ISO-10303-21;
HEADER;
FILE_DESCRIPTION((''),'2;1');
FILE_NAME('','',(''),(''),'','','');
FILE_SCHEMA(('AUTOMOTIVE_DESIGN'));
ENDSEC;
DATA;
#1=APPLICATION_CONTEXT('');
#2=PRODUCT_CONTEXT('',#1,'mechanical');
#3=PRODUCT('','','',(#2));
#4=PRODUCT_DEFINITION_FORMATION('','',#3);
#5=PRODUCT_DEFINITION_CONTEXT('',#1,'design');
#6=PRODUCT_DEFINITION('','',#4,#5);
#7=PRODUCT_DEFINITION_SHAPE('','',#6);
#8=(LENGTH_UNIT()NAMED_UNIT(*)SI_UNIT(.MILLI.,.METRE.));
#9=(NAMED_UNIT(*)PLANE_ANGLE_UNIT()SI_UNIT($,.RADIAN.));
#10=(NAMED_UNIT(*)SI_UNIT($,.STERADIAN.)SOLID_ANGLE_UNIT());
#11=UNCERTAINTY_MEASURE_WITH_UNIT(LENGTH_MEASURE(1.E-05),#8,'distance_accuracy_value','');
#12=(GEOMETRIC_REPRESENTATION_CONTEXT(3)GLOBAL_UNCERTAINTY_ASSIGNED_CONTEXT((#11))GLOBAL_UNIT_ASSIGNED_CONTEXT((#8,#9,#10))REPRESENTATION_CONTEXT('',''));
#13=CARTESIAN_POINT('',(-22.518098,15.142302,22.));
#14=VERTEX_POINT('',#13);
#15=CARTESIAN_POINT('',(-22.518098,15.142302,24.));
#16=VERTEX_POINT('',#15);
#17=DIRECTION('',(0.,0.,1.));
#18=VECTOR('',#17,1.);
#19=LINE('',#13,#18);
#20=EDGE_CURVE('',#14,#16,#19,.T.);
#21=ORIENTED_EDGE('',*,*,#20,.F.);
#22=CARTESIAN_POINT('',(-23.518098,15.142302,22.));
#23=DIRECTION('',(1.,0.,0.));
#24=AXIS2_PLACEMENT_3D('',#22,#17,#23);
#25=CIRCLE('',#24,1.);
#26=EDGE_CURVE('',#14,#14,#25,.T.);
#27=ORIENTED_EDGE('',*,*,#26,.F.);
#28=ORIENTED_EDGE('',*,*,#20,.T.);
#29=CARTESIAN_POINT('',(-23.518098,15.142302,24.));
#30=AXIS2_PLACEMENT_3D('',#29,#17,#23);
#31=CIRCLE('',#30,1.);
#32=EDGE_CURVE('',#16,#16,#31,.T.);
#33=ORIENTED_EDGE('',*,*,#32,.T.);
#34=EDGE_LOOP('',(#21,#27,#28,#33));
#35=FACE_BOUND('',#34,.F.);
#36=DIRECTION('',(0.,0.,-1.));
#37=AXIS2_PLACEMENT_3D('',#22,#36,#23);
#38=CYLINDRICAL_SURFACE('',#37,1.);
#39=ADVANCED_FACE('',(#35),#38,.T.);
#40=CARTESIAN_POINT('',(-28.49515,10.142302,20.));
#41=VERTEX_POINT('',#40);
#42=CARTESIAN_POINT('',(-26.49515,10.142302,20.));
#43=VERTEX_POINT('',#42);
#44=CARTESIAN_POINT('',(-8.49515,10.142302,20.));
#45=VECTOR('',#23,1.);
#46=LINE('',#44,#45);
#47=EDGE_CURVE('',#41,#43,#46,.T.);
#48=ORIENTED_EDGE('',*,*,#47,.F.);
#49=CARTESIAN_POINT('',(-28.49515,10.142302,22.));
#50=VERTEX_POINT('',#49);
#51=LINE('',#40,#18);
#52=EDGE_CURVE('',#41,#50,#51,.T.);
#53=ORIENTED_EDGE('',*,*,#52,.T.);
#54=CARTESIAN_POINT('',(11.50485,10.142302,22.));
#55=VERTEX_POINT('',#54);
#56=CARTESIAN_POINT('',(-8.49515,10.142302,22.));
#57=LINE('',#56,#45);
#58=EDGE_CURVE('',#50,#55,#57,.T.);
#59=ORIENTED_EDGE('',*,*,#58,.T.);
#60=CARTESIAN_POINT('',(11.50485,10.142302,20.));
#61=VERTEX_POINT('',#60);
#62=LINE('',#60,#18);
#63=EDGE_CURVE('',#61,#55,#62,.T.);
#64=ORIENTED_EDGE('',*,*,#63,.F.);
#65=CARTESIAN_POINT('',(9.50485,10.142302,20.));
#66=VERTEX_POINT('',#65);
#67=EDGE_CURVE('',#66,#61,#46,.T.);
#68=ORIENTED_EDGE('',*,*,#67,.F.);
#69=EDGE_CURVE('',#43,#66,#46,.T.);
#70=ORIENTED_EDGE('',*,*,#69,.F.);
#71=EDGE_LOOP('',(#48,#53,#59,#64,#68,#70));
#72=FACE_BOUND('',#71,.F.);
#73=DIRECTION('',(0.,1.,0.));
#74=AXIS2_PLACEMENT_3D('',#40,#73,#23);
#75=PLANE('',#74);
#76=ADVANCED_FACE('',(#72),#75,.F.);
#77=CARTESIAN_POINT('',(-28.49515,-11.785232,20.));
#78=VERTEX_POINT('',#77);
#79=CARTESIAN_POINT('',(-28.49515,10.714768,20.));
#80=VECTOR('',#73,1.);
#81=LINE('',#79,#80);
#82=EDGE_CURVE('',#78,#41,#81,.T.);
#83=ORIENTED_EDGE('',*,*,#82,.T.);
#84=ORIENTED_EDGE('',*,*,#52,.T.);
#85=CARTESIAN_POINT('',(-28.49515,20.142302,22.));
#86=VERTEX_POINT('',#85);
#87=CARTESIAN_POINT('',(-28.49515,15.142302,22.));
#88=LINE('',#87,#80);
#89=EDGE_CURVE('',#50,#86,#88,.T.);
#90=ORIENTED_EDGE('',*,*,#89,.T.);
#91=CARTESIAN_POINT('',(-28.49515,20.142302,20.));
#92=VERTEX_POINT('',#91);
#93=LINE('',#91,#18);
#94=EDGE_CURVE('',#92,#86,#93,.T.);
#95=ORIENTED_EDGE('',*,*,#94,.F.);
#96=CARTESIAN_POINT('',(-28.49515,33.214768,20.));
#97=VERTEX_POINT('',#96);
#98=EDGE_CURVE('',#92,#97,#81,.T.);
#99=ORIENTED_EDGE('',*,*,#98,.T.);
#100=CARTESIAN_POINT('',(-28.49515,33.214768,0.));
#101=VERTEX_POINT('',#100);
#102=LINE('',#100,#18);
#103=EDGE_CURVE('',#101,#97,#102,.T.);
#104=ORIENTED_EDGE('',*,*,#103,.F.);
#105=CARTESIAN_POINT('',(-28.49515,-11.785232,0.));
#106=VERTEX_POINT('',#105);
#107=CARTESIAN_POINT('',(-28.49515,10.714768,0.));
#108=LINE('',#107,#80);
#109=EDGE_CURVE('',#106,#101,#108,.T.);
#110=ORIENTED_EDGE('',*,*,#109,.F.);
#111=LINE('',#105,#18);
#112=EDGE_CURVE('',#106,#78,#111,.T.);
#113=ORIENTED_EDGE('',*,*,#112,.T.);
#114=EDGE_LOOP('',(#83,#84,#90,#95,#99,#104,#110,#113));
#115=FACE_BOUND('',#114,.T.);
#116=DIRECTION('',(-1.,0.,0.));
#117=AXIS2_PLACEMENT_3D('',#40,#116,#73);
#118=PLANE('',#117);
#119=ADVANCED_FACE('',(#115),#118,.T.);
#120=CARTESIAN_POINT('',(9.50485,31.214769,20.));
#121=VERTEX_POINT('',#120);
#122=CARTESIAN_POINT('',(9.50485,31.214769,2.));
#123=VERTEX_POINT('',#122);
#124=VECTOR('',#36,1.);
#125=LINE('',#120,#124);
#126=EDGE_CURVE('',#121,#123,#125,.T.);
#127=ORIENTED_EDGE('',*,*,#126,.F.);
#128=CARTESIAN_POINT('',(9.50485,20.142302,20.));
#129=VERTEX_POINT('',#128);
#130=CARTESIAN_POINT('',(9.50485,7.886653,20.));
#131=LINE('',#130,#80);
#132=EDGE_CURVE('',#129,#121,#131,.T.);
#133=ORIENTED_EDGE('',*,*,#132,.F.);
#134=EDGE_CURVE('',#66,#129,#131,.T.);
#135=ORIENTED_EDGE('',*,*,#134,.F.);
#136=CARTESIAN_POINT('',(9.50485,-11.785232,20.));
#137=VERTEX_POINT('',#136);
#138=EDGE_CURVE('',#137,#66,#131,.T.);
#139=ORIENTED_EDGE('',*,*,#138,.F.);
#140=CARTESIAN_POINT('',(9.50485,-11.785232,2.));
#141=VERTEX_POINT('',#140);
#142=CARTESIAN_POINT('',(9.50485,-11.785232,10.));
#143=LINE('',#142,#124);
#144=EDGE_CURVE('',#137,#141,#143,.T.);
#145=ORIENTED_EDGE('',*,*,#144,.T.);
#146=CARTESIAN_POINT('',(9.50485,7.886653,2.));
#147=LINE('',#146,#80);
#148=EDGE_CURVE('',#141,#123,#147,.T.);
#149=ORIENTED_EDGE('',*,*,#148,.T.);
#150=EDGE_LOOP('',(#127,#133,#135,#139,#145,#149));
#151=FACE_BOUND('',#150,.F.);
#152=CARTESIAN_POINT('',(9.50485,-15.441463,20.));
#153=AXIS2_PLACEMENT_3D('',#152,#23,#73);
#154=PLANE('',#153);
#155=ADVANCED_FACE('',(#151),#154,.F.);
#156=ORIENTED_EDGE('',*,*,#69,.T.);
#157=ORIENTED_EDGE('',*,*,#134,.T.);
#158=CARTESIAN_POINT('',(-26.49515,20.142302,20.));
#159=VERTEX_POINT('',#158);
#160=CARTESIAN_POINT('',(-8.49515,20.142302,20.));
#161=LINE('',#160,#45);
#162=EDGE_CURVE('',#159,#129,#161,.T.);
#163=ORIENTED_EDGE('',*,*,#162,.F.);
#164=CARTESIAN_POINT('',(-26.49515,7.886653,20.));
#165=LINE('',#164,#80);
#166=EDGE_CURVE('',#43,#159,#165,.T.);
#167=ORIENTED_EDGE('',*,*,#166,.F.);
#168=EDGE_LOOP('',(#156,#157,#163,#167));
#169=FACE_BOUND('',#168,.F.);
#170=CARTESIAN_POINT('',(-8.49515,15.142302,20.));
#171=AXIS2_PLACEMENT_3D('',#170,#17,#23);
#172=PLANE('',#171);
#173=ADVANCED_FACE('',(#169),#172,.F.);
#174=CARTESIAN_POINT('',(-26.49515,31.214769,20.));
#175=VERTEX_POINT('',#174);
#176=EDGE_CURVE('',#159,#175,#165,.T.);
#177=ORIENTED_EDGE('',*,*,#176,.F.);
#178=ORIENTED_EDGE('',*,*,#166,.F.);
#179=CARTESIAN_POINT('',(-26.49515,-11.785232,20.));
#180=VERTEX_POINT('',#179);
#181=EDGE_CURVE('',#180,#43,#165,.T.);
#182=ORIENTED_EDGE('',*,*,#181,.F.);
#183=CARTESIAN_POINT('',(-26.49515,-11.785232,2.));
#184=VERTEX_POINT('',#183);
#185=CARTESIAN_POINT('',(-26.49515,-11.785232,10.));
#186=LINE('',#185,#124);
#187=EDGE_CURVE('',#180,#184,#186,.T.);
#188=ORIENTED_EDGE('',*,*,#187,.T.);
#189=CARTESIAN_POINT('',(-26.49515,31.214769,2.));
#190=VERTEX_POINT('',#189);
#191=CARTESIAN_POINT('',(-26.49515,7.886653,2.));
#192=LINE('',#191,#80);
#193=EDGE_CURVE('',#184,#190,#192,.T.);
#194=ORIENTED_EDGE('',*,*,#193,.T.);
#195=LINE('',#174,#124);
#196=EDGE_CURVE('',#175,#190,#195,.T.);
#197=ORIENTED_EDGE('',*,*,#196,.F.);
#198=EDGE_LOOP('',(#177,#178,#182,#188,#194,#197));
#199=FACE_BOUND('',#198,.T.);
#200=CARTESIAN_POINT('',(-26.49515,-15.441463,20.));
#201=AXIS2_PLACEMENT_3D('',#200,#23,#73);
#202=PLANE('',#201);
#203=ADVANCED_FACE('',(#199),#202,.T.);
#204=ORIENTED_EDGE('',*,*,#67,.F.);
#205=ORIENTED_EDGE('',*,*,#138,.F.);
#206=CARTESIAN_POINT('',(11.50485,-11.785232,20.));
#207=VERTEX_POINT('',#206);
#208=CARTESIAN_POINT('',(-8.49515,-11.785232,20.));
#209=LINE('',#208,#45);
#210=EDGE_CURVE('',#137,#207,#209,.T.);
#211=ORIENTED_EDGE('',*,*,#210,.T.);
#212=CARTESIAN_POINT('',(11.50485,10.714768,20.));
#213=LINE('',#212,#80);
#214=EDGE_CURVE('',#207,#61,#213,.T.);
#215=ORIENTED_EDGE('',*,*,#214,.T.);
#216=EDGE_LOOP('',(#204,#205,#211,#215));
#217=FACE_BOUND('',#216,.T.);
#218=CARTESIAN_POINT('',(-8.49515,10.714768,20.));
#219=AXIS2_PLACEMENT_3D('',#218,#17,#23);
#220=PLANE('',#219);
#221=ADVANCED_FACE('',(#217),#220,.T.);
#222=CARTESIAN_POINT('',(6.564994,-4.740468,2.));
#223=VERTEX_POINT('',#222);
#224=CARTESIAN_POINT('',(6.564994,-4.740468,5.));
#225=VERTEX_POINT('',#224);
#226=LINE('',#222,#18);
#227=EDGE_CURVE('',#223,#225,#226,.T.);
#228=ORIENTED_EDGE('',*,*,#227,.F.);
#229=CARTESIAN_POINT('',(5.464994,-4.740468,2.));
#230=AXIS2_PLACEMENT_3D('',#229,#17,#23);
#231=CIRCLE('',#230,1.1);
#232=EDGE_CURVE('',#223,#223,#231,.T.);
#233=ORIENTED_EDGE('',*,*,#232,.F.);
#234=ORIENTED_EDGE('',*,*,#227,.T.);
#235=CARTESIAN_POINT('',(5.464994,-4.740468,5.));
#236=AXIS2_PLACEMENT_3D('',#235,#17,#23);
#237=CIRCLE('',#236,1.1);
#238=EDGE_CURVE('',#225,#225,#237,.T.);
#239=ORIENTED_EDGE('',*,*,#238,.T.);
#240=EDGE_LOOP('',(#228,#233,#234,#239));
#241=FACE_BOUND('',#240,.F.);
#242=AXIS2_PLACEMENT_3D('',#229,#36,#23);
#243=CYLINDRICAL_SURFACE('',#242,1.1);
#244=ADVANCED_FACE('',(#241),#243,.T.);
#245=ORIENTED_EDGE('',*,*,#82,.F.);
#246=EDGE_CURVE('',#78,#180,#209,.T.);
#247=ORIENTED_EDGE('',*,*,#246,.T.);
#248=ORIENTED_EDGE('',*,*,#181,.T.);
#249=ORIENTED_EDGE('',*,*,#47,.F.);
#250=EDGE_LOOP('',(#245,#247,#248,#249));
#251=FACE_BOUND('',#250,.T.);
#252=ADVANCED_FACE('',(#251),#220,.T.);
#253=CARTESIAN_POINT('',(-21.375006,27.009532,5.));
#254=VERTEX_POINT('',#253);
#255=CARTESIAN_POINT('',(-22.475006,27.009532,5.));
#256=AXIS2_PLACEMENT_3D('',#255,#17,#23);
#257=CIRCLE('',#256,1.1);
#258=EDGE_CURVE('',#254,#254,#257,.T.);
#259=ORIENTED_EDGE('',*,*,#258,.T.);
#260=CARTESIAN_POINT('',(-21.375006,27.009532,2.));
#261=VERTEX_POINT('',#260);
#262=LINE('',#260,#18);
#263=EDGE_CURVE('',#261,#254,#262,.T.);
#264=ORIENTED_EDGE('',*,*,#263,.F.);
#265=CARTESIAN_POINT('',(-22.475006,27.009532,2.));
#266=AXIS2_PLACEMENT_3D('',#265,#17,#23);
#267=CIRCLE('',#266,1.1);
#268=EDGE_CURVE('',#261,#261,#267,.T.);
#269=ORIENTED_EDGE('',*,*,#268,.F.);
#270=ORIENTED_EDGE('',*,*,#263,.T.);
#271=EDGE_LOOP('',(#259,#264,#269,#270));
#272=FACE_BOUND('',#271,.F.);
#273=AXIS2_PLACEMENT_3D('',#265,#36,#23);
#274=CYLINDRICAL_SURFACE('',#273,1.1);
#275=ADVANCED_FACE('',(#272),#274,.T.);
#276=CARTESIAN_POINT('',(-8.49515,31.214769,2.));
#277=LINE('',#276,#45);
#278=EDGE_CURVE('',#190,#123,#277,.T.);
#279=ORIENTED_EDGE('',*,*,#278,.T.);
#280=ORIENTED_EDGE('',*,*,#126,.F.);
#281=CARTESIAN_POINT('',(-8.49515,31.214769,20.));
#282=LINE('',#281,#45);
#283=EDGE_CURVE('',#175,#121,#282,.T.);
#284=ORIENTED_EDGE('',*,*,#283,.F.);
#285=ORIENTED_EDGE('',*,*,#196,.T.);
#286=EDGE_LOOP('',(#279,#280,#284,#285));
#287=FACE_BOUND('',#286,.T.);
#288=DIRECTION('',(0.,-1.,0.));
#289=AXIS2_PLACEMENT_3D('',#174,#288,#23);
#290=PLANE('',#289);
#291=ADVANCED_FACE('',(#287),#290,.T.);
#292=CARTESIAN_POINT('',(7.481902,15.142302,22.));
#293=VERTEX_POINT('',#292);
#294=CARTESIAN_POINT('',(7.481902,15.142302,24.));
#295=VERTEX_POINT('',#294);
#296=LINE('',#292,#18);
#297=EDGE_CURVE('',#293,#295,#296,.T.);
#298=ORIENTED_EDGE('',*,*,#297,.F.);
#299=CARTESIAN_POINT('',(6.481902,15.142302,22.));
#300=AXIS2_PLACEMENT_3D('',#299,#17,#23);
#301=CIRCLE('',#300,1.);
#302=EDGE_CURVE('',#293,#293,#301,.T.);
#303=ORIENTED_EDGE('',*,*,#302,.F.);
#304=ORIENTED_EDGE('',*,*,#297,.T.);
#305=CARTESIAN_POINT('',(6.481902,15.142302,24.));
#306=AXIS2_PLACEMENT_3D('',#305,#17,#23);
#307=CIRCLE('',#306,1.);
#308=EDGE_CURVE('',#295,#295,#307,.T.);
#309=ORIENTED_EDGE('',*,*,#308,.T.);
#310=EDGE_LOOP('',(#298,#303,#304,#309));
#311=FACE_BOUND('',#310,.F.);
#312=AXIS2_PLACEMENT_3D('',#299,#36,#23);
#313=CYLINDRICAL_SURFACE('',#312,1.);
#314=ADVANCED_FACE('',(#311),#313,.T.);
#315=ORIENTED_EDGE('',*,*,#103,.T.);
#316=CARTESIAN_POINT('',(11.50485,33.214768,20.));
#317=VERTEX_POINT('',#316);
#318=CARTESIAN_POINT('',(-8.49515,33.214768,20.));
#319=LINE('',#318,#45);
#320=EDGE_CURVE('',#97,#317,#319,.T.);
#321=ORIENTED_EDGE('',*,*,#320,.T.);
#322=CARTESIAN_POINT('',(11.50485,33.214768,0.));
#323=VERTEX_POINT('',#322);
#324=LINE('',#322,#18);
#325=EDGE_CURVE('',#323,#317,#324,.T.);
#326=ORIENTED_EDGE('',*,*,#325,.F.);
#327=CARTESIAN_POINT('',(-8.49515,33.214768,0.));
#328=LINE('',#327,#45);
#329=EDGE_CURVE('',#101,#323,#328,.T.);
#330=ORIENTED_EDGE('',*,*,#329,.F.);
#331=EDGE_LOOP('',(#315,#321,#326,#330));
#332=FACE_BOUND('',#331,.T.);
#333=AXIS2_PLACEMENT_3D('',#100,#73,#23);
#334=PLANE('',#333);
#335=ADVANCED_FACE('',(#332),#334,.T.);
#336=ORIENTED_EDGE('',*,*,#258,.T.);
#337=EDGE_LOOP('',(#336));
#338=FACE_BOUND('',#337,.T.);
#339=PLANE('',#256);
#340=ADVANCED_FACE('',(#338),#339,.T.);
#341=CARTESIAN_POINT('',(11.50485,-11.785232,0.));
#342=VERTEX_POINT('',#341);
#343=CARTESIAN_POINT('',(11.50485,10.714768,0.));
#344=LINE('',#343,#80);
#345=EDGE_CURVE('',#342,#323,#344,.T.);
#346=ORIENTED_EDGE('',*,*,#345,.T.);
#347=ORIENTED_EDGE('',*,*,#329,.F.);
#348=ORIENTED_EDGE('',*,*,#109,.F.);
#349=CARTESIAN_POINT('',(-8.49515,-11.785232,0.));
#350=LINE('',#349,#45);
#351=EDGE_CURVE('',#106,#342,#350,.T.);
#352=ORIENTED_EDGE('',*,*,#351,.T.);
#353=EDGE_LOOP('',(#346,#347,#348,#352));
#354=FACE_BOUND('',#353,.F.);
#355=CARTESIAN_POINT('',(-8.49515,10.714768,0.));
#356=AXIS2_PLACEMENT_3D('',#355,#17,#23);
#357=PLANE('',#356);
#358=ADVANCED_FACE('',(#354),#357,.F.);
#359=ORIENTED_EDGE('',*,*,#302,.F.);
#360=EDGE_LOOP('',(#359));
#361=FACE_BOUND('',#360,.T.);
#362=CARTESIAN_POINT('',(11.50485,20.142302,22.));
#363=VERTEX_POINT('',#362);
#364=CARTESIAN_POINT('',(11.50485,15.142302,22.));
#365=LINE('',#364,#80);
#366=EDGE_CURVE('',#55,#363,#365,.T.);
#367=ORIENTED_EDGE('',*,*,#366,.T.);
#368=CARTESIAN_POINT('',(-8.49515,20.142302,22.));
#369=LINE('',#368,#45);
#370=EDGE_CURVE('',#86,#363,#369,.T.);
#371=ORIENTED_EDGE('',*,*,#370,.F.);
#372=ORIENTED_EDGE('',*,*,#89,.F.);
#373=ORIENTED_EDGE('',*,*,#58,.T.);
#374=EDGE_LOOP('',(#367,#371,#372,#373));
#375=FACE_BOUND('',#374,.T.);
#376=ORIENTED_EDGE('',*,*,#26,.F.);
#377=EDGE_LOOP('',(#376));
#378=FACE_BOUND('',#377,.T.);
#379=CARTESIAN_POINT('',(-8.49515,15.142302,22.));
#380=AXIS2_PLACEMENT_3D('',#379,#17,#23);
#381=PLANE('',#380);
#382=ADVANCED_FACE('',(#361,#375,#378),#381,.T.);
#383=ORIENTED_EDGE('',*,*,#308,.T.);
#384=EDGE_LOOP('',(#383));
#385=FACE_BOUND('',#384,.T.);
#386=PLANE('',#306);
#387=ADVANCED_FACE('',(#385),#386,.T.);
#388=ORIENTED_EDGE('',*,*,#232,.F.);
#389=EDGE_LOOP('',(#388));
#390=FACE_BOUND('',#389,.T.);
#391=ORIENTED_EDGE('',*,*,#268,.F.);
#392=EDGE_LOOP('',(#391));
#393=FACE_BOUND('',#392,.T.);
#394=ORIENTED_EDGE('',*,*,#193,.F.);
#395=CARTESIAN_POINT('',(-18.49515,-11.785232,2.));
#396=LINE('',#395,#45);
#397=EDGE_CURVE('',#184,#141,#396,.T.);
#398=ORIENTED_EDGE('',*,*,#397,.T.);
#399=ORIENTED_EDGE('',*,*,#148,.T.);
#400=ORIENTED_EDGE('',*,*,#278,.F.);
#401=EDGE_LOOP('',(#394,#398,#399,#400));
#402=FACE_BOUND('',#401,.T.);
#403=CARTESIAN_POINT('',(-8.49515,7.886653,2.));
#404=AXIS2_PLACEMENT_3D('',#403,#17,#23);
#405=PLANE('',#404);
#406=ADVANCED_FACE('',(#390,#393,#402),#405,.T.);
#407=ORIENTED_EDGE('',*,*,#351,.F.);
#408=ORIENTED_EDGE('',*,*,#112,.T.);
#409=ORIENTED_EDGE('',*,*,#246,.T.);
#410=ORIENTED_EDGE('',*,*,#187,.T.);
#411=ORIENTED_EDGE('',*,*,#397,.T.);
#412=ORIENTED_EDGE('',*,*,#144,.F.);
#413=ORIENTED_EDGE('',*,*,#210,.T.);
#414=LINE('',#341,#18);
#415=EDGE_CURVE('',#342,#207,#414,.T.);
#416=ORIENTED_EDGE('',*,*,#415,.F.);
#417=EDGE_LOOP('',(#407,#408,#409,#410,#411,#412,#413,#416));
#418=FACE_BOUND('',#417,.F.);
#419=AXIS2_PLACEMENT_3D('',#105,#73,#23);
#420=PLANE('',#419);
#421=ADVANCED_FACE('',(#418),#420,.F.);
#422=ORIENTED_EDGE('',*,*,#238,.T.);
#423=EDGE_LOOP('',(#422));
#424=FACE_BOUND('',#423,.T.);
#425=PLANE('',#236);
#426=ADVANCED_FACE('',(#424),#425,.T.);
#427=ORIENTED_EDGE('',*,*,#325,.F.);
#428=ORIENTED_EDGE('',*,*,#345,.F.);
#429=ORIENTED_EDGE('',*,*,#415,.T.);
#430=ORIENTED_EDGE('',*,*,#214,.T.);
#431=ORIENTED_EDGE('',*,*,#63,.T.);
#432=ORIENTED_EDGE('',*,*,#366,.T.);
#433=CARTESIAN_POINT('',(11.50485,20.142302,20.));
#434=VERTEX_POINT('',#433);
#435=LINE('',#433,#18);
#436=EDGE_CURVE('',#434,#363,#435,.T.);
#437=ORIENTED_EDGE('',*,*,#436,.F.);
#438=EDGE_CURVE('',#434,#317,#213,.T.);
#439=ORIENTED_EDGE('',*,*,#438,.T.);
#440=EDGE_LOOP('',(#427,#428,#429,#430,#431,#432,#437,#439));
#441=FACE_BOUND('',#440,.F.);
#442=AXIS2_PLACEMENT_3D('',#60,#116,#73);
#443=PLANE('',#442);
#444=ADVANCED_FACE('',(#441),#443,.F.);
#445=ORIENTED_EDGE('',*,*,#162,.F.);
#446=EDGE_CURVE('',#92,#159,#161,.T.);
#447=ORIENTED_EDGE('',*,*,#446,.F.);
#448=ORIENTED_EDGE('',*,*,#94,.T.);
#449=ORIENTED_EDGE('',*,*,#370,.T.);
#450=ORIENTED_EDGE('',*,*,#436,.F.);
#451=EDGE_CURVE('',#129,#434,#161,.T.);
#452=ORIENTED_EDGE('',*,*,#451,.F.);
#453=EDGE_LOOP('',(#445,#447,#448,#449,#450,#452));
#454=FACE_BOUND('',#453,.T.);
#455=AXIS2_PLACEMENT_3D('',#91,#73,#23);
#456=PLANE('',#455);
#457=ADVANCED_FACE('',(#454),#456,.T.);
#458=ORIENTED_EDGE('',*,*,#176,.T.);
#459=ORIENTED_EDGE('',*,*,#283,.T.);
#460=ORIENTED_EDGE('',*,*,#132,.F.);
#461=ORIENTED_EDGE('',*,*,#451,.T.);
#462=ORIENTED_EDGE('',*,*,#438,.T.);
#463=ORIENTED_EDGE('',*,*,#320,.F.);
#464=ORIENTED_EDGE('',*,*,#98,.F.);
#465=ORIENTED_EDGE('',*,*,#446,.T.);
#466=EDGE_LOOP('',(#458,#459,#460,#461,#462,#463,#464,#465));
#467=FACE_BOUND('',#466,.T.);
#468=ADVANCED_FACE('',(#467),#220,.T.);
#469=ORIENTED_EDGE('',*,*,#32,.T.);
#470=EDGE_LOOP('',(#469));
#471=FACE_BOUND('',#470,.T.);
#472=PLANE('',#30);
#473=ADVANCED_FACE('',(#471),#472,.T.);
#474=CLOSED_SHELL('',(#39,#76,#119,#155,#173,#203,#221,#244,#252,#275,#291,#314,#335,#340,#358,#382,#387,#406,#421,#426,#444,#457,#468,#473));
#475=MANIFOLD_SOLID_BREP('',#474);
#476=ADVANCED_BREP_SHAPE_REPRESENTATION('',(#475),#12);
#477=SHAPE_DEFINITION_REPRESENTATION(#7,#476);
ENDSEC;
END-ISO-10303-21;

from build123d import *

# Parameters (mm, degrees)
SKETCH_W     = 40
SKETCH_H     = 45
PAD_DEPTH    = 20
SKETCH001_W  = 36
SKETCH001_H  = 46.656231
POCKET_DEPTH = 18
SKETCH002_R  = 1.1
PAD001_DEPTH = 3
SKETCH003_W  = 40
SKETCH003_H  = 10
PAD002_DEPTH = 2
SKETCH004_R  = 1
PAD003_DEPTH = 2


with BuildPart() as part:
    # Sketch → Pad (new body)
    with BuildSketch(Plane.XY):
        with Locations((-8.49515, 10.714768)):
            Rectangle(SKETCH_W, SKETCH_H)
    extrude(amount=PAD_DEPTH)

    # Sketch001 → Pocket (cut)
    with BuildSketch(Plane.XY.offset(20)):
        with Locations((-8.49515, 7.886653)):
            Rectangle(SKETCH001_W, SKETCH001_H)
    extrude(amount=-POCKET_DEPTH, mode=Mode.SUBTRACT)

    # Sketch002 → Pad001 (new body)
    with BuildSketch(Plane.XY.offset(2)):
        with Locations((-22.475006, 27.009532)):
            Circle(SKETCH002_R)
        with Locations((5.464994, -4.740468)):
            Circle(SKETCH002_R)
    extrude(amount=PAD001_DEPTH)

    # Sketch003 → Pad002 (new body)
    with BuildSketch(Plane.XY.offset(20)):
        with Locations((-8.49515, 15.142302)):
            Rectangle(SKETCH003_W, SKETCH003_H)
    extrude(amount=PAD002_DEPTH)

    # Sketch004 → Pad003 (new body)
    with BuildSketch(Plane.XY.offset(22)):
        with Locations((-23.518098, 15.142302)):
            Circle(SKETCH004_R)
        with Locations((6.481902, 15.142302)):
            Circle(SKETCH004_R)
    extrude(amount=PAD003_DEPTH)


solid = part.part
